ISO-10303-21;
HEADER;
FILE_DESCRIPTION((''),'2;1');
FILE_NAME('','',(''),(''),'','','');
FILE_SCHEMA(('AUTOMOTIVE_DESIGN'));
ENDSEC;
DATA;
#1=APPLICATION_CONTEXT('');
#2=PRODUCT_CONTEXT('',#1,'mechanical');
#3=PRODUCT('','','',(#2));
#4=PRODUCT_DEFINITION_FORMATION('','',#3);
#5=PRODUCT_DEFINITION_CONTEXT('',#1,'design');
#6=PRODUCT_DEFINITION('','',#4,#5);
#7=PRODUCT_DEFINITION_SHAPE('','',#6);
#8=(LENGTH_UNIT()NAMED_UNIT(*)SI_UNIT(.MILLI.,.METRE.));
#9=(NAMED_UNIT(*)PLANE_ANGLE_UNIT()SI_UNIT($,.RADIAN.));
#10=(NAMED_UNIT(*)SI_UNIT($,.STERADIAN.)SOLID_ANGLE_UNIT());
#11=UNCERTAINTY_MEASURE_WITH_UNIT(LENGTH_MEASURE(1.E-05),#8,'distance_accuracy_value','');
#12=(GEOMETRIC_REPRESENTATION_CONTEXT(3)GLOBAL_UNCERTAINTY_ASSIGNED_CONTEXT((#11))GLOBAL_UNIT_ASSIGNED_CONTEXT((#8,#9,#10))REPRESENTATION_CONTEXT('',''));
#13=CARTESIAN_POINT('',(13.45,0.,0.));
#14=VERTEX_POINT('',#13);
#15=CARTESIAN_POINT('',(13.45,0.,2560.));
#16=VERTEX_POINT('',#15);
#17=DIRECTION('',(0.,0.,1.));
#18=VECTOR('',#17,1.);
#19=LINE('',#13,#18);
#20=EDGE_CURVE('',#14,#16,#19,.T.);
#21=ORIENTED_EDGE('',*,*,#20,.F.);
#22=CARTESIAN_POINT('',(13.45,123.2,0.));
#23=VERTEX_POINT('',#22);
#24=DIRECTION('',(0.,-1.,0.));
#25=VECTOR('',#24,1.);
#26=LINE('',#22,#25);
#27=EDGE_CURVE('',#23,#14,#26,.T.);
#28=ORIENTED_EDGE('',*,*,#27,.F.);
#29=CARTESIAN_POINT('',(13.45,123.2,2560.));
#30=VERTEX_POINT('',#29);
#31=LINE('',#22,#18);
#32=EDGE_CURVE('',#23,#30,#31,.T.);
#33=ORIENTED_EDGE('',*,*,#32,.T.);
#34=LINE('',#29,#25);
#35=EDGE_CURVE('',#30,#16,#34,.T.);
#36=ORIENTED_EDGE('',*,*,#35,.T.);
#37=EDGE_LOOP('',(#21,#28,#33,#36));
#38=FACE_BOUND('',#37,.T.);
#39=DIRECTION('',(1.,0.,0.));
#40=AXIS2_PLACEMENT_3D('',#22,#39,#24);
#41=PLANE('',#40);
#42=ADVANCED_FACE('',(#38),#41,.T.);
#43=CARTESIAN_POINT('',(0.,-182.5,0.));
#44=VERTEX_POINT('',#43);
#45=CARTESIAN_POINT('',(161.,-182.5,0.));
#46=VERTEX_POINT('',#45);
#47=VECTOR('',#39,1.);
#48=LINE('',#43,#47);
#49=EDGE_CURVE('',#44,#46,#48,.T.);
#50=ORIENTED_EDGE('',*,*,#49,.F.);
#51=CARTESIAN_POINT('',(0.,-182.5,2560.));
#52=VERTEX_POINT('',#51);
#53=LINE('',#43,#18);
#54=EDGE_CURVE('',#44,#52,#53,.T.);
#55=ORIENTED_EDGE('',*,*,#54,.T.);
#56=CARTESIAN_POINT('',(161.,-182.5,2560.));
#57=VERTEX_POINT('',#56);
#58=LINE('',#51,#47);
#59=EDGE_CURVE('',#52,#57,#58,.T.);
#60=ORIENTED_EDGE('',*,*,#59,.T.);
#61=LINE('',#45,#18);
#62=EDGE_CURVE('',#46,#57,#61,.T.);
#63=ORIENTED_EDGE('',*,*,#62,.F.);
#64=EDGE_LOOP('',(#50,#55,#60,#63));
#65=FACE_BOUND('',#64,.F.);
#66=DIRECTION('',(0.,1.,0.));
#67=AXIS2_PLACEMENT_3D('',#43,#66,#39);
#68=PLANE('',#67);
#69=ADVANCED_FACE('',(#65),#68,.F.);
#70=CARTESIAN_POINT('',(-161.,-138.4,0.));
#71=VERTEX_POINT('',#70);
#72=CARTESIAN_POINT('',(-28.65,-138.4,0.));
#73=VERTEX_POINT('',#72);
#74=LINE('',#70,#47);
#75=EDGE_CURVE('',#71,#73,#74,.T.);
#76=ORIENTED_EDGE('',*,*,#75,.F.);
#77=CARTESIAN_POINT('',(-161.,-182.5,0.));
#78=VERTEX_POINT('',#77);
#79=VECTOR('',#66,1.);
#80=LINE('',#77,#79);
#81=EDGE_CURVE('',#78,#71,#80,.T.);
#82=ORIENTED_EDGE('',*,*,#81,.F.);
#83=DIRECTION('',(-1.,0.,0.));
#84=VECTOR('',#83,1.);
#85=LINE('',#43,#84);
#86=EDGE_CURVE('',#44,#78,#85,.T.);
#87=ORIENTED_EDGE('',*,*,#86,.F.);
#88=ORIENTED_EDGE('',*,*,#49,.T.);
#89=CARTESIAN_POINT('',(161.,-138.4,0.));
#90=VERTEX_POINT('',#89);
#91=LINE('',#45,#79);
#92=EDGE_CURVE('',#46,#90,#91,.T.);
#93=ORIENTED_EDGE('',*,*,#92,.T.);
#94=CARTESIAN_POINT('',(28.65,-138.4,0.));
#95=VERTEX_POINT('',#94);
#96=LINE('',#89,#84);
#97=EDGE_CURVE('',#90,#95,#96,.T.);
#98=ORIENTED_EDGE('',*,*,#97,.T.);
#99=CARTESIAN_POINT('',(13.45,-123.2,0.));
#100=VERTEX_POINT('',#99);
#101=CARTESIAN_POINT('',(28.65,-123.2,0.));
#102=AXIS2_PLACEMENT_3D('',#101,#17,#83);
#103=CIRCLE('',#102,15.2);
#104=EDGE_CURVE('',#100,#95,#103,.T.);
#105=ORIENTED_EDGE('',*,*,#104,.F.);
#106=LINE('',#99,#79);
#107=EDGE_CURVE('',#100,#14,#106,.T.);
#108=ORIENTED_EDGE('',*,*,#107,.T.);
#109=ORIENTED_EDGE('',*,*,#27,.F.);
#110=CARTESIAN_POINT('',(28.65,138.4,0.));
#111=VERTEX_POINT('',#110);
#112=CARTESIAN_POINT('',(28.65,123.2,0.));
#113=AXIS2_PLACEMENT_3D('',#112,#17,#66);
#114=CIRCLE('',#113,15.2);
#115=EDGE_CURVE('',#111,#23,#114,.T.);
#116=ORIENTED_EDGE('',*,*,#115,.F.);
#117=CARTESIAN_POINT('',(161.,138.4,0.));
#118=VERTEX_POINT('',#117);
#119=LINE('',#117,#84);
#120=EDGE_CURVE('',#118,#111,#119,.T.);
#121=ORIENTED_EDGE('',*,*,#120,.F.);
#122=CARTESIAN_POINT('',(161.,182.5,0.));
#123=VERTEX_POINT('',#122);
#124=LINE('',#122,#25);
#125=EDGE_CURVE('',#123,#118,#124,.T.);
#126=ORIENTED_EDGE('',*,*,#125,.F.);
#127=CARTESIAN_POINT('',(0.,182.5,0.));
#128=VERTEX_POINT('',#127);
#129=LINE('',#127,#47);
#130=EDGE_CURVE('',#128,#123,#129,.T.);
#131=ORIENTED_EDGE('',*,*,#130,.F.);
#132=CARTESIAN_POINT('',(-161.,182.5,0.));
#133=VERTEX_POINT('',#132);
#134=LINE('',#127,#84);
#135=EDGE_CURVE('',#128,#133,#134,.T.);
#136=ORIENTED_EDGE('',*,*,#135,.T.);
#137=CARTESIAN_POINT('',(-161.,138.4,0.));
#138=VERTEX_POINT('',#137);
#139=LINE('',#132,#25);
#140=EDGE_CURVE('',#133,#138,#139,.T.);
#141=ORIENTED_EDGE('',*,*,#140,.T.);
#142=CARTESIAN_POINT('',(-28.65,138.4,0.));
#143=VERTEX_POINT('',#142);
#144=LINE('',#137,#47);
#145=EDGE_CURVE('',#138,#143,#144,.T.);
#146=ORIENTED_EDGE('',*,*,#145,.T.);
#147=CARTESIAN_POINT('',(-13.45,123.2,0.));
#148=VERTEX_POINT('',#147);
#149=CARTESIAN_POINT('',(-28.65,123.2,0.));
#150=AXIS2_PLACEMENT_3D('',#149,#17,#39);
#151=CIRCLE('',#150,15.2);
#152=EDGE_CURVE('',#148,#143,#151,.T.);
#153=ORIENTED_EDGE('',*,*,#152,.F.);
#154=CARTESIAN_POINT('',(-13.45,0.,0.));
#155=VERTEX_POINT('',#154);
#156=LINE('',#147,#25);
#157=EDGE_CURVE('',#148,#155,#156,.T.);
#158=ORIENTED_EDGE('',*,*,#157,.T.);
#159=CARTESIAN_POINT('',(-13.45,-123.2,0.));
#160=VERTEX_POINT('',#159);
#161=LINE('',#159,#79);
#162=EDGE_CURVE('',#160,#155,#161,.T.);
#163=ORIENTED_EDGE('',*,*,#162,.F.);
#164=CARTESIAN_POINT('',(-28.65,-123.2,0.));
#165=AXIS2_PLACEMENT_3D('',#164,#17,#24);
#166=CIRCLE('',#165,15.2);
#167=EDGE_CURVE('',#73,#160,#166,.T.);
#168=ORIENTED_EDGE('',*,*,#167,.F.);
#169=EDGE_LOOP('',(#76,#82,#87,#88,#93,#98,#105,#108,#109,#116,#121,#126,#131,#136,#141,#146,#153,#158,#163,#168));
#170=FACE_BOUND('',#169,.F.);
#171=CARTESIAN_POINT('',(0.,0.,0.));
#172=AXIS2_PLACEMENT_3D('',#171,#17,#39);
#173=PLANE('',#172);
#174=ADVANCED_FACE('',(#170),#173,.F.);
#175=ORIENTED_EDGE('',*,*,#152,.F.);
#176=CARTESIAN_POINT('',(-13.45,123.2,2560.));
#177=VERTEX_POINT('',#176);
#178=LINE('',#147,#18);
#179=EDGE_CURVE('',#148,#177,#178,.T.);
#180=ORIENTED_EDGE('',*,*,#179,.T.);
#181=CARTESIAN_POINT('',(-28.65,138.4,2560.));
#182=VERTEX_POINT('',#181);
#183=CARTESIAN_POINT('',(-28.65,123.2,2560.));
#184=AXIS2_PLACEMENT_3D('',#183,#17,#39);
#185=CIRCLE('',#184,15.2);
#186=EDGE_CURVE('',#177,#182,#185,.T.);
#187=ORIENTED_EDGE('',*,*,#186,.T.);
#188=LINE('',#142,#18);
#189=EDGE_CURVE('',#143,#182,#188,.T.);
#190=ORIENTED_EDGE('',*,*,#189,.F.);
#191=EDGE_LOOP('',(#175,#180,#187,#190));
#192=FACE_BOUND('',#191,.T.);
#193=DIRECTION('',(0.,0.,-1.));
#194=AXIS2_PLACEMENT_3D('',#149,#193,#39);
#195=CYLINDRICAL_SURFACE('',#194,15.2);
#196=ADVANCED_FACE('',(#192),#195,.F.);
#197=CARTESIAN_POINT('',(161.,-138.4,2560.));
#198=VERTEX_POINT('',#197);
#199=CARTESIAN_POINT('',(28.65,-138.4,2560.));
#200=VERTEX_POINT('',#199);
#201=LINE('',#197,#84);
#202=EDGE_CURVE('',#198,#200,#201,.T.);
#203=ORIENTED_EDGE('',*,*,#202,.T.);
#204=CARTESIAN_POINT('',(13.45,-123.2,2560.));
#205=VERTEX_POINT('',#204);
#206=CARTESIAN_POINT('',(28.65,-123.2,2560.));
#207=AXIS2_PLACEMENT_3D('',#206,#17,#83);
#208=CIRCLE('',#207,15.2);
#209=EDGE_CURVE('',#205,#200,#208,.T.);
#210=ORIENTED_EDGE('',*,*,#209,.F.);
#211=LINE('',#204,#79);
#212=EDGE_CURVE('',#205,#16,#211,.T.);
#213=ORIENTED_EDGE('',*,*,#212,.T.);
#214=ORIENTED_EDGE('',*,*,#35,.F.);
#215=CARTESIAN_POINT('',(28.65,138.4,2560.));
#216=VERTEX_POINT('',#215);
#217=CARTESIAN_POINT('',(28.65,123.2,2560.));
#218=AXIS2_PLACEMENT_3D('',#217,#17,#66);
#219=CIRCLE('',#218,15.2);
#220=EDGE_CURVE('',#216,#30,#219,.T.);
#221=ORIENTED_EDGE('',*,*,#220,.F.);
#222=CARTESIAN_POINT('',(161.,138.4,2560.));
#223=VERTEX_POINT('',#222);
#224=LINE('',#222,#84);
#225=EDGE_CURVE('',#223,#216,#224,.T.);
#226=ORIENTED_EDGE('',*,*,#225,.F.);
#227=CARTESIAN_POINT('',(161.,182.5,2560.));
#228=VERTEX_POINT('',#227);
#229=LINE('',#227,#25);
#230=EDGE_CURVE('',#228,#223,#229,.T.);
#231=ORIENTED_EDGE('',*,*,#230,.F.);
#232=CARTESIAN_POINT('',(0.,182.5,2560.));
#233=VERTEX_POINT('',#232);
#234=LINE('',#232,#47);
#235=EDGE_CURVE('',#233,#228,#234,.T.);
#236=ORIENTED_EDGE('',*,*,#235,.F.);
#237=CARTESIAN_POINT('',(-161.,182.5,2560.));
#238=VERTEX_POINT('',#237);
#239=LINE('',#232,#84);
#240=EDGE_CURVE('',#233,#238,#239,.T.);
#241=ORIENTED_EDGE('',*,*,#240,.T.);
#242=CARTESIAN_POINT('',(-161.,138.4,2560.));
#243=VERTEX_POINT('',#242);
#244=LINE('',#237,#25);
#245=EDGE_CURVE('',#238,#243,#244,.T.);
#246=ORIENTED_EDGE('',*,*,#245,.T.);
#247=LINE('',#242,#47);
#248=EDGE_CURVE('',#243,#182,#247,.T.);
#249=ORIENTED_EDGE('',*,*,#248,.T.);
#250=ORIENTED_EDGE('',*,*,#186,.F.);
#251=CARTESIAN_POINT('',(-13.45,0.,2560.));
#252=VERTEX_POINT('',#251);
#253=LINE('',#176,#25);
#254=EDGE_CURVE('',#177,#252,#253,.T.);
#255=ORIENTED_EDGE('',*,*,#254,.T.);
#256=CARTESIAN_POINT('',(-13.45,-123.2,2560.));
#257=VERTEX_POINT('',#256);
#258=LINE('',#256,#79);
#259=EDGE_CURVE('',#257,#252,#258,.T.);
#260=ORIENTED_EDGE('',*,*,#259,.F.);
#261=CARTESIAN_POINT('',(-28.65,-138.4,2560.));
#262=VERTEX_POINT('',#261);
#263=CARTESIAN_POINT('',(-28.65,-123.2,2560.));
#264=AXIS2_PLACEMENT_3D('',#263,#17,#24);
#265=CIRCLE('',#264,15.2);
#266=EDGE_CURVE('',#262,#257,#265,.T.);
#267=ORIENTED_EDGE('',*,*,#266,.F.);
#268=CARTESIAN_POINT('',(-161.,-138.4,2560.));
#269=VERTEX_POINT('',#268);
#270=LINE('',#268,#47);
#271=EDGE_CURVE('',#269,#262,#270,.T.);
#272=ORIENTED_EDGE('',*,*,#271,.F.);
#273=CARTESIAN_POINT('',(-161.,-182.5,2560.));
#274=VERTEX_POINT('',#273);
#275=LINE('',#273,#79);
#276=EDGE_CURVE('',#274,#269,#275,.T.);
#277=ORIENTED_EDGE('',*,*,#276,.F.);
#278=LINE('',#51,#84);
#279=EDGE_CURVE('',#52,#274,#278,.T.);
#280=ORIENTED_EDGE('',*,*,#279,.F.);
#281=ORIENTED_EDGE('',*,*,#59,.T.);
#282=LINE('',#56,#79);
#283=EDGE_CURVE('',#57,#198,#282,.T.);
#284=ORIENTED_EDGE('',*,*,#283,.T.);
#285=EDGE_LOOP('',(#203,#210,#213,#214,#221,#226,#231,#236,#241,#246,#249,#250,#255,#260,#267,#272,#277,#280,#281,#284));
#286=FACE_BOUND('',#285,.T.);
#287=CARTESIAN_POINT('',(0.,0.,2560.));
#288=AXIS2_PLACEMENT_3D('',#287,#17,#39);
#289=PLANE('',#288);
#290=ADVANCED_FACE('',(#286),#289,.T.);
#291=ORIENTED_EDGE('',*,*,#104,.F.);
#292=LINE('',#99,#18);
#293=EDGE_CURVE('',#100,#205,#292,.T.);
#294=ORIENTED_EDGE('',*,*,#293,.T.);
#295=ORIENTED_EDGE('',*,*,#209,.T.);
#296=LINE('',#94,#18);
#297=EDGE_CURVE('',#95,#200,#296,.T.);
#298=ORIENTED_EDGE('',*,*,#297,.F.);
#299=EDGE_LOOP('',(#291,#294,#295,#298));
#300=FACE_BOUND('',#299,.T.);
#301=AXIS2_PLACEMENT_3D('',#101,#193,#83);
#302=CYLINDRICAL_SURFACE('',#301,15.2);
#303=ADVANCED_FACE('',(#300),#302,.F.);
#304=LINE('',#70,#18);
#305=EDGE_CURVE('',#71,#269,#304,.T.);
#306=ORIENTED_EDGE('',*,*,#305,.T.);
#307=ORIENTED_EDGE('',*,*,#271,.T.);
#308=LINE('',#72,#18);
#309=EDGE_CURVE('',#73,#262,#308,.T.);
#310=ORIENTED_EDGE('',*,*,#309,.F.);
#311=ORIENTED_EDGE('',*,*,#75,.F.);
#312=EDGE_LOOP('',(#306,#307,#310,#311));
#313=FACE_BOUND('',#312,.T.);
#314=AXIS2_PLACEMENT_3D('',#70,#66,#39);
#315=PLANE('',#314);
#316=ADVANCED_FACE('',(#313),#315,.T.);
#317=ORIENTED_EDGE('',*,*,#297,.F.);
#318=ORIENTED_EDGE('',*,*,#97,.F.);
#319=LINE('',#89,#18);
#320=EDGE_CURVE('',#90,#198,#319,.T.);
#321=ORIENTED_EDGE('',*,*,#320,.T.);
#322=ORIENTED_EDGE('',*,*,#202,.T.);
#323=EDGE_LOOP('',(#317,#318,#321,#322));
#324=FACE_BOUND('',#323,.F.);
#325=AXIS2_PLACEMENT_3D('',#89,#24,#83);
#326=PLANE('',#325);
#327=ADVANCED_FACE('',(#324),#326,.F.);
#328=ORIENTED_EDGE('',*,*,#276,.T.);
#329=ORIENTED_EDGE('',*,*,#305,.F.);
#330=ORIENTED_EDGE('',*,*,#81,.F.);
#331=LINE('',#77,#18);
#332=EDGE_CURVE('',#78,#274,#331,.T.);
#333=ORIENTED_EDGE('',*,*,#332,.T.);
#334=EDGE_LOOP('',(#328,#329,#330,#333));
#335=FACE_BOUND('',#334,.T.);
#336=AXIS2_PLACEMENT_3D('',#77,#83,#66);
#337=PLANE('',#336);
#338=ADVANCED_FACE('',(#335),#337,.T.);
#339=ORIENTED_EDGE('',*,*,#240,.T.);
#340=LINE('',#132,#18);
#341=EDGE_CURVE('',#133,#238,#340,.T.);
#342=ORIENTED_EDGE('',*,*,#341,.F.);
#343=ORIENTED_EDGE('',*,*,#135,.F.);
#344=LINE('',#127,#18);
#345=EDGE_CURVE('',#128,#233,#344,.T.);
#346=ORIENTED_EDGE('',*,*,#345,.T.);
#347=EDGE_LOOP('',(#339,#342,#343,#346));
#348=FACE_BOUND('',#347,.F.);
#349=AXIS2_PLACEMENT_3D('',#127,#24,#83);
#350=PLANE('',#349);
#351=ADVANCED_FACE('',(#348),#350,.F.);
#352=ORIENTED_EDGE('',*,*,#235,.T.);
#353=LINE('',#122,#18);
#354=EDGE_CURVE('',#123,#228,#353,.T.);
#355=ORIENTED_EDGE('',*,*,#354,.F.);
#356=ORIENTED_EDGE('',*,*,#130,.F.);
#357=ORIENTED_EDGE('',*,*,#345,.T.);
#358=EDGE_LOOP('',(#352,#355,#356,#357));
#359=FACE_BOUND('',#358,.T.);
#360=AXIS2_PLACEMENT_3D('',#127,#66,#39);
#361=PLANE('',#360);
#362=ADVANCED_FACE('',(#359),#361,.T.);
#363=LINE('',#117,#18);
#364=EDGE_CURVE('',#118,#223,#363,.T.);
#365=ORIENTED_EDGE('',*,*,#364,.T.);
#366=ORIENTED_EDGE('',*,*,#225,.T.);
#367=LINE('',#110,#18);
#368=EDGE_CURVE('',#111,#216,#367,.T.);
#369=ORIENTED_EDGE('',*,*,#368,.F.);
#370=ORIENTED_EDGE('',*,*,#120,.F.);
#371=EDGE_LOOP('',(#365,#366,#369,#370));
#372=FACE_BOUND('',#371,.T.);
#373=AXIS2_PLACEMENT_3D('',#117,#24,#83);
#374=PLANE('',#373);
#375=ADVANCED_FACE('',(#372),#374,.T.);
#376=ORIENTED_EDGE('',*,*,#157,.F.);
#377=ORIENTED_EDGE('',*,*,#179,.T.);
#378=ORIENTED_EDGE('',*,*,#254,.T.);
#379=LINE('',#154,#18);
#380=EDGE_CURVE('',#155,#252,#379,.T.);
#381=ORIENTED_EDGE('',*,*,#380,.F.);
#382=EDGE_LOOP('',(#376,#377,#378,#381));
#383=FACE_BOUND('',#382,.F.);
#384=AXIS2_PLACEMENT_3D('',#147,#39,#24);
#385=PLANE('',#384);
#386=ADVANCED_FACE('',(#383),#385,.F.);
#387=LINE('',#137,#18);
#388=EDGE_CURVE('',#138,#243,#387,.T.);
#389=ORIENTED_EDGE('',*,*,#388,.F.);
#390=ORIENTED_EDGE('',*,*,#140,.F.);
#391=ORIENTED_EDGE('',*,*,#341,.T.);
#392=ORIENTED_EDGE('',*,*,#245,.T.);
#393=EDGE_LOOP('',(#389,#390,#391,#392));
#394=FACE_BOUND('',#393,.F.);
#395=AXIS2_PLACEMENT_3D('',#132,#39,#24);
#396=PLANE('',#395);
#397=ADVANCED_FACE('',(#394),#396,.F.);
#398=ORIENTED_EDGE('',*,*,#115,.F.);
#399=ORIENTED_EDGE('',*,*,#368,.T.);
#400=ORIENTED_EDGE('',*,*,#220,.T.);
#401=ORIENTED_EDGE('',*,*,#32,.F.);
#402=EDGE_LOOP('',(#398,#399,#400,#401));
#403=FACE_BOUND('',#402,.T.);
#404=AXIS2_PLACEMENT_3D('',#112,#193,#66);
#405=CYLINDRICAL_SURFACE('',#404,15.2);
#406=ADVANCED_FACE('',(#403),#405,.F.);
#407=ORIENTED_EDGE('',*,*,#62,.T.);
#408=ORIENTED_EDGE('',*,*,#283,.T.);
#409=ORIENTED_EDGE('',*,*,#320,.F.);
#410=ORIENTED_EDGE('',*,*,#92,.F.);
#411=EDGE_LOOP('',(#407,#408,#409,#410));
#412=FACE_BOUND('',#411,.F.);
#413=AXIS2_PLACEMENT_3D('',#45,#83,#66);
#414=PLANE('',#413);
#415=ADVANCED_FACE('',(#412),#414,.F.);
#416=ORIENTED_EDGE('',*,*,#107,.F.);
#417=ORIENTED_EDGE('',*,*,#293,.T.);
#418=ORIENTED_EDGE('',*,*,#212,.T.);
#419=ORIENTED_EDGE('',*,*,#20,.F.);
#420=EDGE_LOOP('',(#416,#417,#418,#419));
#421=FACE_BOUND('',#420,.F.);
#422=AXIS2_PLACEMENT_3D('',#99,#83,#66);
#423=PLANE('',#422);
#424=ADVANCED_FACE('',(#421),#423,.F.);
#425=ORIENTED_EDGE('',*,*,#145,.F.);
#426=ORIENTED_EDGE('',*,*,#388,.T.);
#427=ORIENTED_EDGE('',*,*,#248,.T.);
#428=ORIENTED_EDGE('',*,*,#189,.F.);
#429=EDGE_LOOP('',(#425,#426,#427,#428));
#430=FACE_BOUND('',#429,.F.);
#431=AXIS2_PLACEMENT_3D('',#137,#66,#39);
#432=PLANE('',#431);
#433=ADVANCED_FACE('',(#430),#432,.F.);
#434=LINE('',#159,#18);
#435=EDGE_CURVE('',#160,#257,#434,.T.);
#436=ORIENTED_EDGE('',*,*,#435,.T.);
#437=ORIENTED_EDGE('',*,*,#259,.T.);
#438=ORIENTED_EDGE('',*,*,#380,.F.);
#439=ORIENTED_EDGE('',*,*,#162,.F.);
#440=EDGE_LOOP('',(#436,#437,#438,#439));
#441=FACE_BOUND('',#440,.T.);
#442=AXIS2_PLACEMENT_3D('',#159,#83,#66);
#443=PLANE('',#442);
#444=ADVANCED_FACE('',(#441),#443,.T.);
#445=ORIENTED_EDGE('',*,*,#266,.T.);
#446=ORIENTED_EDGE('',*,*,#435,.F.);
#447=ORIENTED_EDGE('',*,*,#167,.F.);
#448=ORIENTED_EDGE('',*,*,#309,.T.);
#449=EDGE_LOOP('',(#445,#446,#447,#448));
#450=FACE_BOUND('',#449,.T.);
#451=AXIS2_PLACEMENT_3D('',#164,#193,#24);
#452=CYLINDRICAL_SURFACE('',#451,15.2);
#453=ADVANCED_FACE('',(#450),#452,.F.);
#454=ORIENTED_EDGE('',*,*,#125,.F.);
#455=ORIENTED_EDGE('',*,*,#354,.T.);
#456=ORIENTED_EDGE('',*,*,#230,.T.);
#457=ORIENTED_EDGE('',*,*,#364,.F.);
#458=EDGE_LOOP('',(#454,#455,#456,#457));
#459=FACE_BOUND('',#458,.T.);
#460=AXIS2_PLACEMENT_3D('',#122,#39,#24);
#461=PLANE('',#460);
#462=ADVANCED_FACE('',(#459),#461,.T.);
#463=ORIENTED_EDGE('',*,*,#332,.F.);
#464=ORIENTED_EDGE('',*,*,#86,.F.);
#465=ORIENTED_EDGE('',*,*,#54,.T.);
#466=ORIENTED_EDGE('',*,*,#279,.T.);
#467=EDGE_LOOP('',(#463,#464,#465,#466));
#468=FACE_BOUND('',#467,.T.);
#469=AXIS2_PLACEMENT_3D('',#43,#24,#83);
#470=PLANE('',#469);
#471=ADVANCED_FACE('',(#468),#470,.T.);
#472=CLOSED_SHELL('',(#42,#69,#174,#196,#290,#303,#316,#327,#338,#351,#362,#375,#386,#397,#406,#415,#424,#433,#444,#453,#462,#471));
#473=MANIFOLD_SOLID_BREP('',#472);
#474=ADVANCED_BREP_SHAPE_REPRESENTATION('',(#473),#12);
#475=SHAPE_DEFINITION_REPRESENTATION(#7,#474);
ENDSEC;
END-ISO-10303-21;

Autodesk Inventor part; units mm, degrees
ref_plane "YZ Plane" through (0, 0, 0) normal (1, 0, 0) x (0, 1, 0)
ref_plane "Start plane" through (0, 0, 0) normal (0, 0, 1) x (1, 0, 0)
ref_plane "End plane" through (0, 0, 2560) normal (0, 0, 1) x (1, 0, 0)
sketch "Sketch" plane through (0, 0, 0) normal (0, 0, 1) x (1, 0, 0)
  line L0 (-161, -182.5) -> (-161, -138.4)
  line L1 (-161, -138.4) -> (-28.65, -138.4)
  line L2 (-13.45, -123.2) -> (-13.45, 0)
  line L3 (-13.45, 0) -> (0, 0) construction
  line L4 (0, 0) -> (0, -182.5) construction
  line L5 (0, -182.5) -> (-161, -182.5)
  line L6 (-60, 0) -> (80, 0) construction
  line L7 (0, -60) -> (0, 80) construction
  line L8 (161, -182.5) -> (161, -138.4)
  line L9 (161, -138.4) -> (28.65, -138.4)
  line L10 (13.45, -123.2) -> (13.45, 0)
  line L11 (13.45, 0) -> (0, 0) construction
  line L12 (0, -182.5) -> (161, -182.5)
  line L13 (-161, 182.5) -> (-161, 138.4)
  line L14 (-161, 138.4) -> (-28.65, 138.4)
  line L15 (-13.45, 123.2) -> (-13.45, 0)
  line L16 (0, 182.5) -> (-161, 182.5)
  line L17 (161, 182.5) -> (161, 138.4)
  line L18 (161, 138.4) -> (28.65, 138.4)
  line L19 (0, 182.5) -> (161, 182.5)
  line L20 (13.45, 123.2) -> (13.45, 0)
  arc A0 (-13.45, 123.2) -> (-28.65, 138.4) centre (-28.65, 123.2) ccw
  arc A1 (28.65, 138.4) -> (13.45, 123.2) centre (28.65, 123.2) ccw
  arc A2 (13.45, -123.2) -> (28.65, -138.4) centre (28.65, -123.2) ccw
  arc A3 (-28.65, -138.4) -> (-13.45, -123.2) centre (-28.65, -123.2) ccw
  line L21 (0, 108) -> (0, -88) construction
  line L22 (-88, 0) -> (108, 0) construction
  point P0 (-13.45, -138.4)
  point P1 (13.45, -138.4)
  point P2 (-13.45, 138.4)
  point P3 (13.45, 138.4)
  dimension "d1" = 182.5
  dimension "d2" = 44.1
  dimension "d3" = 161
  dimension "d4" = 13.45
  dimension "d10" = 15.2
extrude "Body" add sketch "Sketch" along normal up to surface (2560 mm away) from surface at 0
sketch "Sketch4" plane through (0, 0, 0) normal (0, 0, 1) x (1, 0, 0)
  line L0 (0, 0) -> (10, 0)
ref_plane "Work Plane3" through (0, 0, 0) normal (0, -1, 0) x (1, 0, 0)
sketch "Sketch5" plane through (0, 0, 0) normal (0, -1, 0) x (1, 0, 0)
  line L0 (-2, 0) -> (12, 0) projected
  line L1 (-2, 2560) -> (12, 2560) projected
  dimension "d14" = 2560
equation "\"d1\" = 0.5 * G_H"
equation "\"d2\" = G_T1"
equation "\"d3\" = 0.5 * G_W"
equation "\"d4\" = 0.5 * G_T"
equation "\"d10\" = G_IR"
equation "\"d5\" = G_L"
equation "\"G_W\" = 322"
equation "\"G_H\" = 365"
equation "\"G_T\" = 26.9"
equation "\"G_T1\" = 44.1"
equation "\"G_IR\" = 15.2"
equation "\"G_L\" = d14"
equation "\"G_OFFSET_START\" = 0"
equation "\"G_OFFSET_END\" = 0"
properties part number "AS 3679 - 310 UC - 283 - 2560" material "Steel, Mild"
